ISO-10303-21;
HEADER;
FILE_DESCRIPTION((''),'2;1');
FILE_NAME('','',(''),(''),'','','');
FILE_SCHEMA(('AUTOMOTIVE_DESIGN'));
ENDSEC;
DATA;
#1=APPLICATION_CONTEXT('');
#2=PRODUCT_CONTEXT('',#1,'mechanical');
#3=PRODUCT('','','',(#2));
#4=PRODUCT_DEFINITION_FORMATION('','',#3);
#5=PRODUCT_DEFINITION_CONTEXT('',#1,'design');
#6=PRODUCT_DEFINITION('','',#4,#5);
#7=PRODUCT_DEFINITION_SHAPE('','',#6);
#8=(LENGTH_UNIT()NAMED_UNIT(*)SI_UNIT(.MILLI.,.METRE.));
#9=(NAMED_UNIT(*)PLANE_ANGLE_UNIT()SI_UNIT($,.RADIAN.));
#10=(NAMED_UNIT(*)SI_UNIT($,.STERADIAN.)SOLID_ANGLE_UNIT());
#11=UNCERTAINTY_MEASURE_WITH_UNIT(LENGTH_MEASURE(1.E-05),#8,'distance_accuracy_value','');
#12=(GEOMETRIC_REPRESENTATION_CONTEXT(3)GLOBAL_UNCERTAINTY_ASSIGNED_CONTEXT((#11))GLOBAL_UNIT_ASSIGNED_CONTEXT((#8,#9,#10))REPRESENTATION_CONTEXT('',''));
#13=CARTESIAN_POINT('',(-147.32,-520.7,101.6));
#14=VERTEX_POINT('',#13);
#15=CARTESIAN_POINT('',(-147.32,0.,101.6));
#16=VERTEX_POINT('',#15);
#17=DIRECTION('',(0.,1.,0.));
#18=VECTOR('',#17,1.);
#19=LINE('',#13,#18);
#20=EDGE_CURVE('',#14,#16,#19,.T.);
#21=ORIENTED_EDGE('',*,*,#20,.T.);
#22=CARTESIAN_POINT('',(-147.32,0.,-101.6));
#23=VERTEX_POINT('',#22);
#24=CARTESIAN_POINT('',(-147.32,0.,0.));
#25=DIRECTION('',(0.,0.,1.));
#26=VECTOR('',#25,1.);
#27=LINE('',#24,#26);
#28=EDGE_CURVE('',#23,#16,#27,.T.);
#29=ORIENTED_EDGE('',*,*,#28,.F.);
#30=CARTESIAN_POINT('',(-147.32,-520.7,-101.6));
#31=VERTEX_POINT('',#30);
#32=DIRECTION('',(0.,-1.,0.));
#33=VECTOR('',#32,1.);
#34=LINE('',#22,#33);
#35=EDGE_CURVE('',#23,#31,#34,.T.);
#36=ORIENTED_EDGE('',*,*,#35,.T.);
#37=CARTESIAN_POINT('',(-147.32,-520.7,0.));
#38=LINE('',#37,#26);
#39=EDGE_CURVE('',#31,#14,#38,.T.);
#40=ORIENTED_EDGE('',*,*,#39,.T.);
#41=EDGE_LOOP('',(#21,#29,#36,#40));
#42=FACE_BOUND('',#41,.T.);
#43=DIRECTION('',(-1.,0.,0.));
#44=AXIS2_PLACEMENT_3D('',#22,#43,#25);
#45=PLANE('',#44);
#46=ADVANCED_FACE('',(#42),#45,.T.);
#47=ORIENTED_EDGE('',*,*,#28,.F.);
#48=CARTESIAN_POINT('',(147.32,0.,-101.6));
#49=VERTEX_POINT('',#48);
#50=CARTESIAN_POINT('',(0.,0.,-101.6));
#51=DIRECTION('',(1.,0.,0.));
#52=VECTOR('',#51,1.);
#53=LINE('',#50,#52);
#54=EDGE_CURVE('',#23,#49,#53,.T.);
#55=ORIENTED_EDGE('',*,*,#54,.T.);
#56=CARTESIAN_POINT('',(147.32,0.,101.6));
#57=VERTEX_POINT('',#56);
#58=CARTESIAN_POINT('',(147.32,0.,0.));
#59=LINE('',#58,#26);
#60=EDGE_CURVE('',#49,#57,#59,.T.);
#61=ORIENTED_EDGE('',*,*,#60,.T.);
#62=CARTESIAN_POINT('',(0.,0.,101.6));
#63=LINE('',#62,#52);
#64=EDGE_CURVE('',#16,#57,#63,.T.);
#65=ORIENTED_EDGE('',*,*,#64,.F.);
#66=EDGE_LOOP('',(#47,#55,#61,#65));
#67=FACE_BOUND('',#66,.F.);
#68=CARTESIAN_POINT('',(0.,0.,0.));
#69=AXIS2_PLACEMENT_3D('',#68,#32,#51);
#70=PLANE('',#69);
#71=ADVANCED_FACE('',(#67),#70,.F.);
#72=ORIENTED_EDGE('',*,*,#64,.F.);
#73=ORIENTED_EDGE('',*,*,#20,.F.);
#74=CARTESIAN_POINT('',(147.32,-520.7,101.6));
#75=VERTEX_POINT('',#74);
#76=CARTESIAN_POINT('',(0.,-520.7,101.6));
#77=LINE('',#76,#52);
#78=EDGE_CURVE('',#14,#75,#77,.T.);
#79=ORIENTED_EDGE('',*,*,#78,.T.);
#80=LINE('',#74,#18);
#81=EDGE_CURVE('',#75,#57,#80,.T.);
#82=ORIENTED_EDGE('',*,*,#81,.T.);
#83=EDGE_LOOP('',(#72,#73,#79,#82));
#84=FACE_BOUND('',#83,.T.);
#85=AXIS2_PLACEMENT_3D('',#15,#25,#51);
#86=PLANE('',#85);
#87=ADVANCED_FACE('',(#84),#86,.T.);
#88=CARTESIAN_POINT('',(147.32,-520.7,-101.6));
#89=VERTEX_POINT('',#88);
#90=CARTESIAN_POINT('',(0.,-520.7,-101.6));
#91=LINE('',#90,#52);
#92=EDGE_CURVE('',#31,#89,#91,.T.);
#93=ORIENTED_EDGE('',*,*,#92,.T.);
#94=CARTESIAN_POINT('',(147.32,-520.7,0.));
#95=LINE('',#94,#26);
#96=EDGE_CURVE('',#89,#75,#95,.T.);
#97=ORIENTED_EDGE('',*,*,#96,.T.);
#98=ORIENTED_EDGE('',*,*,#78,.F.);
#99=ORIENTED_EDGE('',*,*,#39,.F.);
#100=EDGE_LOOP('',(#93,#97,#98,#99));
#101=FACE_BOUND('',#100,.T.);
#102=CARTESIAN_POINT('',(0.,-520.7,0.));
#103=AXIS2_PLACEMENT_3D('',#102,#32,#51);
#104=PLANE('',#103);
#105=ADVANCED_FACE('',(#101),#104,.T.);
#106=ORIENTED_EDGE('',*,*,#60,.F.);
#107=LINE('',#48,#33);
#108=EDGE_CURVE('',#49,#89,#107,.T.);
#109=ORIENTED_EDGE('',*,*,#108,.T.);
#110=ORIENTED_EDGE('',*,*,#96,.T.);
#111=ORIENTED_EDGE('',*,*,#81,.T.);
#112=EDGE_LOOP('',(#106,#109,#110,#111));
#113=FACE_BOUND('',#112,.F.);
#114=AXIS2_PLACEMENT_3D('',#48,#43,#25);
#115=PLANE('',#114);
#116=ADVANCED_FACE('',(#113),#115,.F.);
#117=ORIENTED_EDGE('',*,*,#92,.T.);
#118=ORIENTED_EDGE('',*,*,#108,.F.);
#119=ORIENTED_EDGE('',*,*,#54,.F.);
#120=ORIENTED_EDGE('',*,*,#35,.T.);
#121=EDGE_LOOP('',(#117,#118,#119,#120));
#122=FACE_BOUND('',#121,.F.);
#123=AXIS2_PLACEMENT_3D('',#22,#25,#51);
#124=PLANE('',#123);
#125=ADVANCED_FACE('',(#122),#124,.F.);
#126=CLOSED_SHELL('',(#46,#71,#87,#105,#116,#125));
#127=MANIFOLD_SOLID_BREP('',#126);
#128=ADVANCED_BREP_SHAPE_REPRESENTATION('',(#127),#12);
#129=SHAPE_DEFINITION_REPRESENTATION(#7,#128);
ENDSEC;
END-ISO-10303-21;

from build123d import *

# Parameters (mm, degrees)
F0_W     = 294.64
F0_H     = 203.2
F1_DEPTH = 520.7
F2_DEPTH = 69.85


with BuildPart() as f1:
    # F0 (on Front) → F1 (new body)
    with BuildSketch(Plane.XZ):
        Rectangle(F0_W, F0_H)
    extrude(amount=F1_DEPTH)

    # F0 (on Front) → F2 (join)
    with BuildSketch(Plane.XZ):
        Rectangle(F0_W, F0_H)
    extrude(amount=F2_DEPTH)


solid = f1.part
